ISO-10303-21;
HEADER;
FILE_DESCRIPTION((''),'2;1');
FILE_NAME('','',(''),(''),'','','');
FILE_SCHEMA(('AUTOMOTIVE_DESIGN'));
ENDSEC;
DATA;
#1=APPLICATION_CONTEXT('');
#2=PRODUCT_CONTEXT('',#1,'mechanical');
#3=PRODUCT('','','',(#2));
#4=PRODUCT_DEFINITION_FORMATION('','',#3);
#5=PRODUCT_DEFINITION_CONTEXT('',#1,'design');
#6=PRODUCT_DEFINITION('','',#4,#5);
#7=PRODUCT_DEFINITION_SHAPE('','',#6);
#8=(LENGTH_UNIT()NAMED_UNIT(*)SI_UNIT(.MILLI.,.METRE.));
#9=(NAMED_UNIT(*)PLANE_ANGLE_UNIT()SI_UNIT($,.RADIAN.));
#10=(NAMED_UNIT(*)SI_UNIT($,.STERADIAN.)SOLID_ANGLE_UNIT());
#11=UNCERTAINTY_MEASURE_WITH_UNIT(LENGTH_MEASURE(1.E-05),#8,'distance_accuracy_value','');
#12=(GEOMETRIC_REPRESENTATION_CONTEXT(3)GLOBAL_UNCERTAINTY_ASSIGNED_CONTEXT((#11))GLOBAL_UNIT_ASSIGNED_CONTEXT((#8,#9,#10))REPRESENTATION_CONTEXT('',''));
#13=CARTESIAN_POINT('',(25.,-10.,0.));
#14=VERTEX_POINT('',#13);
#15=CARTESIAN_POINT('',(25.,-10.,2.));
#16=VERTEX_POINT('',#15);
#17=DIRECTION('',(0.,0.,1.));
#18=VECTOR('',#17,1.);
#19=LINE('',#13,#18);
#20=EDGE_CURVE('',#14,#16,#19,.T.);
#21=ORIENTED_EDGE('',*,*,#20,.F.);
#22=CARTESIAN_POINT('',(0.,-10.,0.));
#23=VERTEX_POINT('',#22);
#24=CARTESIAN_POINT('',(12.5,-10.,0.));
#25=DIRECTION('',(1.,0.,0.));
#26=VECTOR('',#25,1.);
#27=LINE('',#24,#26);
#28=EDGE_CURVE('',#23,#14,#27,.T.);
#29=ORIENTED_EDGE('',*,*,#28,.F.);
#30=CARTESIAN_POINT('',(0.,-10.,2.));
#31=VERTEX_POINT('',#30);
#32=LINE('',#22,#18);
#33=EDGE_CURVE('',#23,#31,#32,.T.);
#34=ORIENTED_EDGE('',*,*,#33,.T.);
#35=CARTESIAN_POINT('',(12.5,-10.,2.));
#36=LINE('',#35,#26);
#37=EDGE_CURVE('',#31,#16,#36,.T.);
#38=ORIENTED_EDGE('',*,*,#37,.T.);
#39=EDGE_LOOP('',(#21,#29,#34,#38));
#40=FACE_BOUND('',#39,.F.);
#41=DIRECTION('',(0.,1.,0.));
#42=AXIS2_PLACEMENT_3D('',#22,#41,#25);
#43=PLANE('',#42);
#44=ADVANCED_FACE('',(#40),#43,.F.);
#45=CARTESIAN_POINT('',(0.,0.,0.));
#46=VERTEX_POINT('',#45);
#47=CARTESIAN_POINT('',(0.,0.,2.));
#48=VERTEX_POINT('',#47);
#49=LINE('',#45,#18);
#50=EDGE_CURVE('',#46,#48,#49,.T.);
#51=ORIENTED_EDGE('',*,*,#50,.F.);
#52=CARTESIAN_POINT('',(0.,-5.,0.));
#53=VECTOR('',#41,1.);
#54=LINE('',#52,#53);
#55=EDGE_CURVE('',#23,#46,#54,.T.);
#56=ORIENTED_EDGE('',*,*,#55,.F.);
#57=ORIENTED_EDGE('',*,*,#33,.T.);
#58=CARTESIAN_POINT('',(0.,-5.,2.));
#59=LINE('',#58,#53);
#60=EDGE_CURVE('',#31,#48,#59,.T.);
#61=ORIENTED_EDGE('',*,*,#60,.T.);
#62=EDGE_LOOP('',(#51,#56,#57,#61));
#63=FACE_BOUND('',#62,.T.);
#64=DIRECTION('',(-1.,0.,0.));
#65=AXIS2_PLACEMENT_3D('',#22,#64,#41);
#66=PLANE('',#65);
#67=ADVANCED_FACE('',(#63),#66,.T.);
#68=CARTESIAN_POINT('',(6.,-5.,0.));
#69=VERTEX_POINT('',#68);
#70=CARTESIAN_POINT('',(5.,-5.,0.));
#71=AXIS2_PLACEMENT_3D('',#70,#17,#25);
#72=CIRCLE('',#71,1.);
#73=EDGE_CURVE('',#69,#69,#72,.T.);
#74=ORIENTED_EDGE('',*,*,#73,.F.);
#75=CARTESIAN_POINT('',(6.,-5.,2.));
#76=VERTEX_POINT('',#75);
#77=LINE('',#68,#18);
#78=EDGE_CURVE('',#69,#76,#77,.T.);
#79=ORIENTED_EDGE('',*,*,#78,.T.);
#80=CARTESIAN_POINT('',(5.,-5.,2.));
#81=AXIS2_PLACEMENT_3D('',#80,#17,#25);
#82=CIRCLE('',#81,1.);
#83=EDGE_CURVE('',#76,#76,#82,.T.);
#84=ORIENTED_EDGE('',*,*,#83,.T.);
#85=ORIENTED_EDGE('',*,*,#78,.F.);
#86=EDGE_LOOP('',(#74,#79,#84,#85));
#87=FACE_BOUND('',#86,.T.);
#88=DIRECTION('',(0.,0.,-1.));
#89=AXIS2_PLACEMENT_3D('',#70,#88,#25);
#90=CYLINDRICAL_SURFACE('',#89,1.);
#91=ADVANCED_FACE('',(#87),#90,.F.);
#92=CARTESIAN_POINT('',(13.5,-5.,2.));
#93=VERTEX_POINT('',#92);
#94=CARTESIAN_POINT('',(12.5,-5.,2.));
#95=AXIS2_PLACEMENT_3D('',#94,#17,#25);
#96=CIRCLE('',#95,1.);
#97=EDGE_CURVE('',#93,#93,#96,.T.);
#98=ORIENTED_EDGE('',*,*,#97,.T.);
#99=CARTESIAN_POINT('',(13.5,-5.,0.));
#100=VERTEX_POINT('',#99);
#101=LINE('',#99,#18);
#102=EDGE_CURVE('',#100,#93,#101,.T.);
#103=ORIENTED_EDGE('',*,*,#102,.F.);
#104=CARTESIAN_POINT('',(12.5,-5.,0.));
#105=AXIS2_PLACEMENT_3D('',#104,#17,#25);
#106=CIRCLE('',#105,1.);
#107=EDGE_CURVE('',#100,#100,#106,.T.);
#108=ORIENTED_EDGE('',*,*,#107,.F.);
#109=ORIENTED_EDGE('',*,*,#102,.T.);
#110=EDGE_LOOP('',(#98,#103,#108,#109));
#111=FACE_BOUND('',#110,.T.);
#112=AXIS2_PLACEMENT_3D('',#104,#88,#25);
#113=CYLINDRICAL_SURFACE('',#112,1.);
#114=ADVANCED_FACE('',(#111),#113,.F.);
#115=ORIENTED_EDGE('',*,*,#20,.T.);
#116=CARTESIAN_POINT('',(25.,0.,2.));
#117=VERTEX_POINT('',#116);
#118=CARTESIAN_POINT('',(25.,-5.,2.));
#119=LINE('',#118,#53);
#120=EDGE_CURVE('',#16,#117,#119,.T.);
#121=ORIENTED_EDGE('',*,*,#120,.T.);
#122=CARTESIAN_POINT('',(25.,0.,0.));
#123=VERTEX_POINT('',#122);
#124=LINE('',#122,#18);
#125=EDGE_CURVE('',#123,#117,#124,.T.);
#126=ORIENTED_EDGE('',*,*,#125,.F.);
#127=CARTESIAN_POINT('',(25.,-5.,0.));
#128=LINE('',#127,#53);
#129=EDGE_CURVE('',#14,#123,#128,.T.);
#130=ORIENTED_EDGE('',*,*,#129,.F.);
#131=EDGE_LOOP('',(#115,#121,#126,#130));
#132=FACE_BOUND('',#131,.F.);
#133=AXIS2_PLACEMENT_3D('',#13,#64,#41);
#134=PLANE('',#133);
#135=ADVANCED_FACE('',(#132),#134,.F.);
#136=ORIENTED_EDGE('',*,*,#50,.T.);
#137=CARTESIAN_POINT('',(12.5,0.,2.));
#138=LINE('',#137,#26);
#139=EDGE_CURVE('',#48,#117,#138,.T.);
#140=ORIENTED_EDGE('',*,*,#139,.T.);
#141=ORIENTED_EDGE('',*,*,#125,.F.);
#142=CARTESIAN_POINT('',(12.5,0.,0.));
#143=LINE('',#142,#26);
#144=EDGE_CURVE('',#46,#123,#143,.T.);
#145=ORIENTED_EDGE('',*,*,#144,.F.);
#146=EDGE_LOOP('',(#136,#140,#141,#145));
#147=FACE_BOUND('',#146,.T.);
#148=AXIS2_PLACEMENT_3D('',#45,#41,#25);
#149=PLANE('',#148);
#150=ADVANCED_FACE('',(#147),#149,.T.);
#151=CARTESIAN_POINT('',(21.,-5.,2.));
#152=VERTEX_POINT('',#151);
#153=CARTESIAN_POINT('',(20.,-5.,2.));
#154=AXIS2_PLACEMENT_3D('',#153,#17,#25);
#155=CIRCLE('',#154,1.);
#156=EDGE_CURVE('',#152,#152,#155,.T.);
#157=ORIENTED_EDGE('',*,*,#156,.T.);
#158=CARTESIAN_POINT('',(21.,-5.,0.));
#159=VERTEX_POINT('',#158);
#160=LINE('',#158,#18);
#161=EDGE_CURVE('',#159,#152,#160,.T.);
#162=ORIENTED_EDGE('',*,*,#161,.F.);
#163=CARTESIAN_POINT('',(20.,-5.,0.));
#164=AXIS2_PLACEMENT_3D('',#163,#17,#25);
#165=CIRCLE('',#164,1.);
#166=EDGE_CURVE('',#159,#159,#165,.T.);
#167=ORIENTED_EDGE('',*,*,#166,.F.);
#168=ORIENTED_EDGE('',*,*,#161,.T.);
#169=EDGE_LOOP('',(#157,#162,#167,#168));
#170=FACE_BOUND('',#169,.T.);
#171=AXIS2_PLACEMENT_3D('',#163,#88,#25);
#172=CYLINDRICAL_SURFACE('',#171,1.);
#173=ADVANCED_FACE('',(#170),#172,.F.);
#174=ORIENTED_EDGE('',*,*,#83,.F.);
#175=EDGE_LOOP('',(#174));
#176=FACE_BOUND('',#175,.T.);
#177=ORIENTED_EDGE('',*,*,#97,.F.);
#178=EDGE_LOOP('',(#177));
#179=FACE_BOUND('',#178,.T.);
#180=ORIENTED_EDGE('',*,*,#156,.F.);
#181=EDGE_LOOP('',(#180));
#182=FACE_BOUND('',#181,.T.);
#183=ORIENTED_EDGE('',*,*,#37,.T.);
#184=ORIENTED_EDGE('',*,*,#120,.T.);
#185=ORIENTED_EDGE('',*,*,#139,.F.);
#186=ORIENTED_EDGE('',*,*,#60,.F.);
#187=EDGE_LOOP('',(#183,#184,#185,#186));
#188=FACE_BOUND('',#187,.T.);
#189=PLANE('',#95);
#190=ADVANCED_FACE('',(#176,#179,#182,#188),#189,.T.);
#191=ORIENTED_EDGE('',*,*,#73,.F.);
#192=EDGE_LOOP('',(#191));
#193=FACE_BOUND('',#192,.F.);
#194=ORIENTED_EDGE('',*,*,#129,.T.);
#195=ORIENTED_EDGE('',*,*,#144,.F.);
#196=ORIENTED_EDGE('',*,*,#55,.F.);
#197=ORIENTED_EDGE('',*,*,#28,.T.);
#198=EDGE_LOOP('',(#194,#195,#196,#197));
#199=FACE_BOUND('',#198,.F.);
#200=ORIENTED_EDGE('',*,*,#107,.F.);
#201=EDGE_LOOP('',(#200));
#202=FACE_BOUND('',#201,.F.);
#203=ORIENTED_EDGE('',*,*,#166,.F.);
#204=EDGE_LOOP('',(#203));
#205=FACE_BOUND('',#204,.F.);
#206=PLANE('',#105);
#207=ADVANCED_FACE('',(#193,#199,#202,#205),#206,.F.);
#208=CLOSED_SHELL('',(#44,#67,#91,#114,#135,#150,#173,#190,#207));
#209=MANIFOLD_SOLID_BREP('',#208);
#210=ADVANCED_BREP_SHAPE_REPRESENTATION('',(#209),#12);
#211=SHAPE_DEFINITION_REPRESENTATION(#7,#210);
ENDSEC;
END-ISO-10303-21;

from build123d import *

# Parameters (mm, degrees)
F0_W     = 25
F0_H     = 10
F0_R     = 1
F1_DEPTH = 2


with BuildPart() as f1:
    # F0 (on Top) → F1 (new body)
    with BuildSketch(Plane.XY):
        with Locations((12.5, -5)):
            Rectangle(F0_W, F0_H)
        with Locations((5, -5)):
            Circle(F0_R, mode=Mode.SUBTRACT)
        with Locations((12.5, -5)):
            Circle(F0_R, mode=Mode.SUBTRACT)
        with Locations((20, -5)):
            Circle(F0_R, mode=Mode.SUBTRACT)
    extrude(amount=F1_DEPTH)


solid = f1.part
